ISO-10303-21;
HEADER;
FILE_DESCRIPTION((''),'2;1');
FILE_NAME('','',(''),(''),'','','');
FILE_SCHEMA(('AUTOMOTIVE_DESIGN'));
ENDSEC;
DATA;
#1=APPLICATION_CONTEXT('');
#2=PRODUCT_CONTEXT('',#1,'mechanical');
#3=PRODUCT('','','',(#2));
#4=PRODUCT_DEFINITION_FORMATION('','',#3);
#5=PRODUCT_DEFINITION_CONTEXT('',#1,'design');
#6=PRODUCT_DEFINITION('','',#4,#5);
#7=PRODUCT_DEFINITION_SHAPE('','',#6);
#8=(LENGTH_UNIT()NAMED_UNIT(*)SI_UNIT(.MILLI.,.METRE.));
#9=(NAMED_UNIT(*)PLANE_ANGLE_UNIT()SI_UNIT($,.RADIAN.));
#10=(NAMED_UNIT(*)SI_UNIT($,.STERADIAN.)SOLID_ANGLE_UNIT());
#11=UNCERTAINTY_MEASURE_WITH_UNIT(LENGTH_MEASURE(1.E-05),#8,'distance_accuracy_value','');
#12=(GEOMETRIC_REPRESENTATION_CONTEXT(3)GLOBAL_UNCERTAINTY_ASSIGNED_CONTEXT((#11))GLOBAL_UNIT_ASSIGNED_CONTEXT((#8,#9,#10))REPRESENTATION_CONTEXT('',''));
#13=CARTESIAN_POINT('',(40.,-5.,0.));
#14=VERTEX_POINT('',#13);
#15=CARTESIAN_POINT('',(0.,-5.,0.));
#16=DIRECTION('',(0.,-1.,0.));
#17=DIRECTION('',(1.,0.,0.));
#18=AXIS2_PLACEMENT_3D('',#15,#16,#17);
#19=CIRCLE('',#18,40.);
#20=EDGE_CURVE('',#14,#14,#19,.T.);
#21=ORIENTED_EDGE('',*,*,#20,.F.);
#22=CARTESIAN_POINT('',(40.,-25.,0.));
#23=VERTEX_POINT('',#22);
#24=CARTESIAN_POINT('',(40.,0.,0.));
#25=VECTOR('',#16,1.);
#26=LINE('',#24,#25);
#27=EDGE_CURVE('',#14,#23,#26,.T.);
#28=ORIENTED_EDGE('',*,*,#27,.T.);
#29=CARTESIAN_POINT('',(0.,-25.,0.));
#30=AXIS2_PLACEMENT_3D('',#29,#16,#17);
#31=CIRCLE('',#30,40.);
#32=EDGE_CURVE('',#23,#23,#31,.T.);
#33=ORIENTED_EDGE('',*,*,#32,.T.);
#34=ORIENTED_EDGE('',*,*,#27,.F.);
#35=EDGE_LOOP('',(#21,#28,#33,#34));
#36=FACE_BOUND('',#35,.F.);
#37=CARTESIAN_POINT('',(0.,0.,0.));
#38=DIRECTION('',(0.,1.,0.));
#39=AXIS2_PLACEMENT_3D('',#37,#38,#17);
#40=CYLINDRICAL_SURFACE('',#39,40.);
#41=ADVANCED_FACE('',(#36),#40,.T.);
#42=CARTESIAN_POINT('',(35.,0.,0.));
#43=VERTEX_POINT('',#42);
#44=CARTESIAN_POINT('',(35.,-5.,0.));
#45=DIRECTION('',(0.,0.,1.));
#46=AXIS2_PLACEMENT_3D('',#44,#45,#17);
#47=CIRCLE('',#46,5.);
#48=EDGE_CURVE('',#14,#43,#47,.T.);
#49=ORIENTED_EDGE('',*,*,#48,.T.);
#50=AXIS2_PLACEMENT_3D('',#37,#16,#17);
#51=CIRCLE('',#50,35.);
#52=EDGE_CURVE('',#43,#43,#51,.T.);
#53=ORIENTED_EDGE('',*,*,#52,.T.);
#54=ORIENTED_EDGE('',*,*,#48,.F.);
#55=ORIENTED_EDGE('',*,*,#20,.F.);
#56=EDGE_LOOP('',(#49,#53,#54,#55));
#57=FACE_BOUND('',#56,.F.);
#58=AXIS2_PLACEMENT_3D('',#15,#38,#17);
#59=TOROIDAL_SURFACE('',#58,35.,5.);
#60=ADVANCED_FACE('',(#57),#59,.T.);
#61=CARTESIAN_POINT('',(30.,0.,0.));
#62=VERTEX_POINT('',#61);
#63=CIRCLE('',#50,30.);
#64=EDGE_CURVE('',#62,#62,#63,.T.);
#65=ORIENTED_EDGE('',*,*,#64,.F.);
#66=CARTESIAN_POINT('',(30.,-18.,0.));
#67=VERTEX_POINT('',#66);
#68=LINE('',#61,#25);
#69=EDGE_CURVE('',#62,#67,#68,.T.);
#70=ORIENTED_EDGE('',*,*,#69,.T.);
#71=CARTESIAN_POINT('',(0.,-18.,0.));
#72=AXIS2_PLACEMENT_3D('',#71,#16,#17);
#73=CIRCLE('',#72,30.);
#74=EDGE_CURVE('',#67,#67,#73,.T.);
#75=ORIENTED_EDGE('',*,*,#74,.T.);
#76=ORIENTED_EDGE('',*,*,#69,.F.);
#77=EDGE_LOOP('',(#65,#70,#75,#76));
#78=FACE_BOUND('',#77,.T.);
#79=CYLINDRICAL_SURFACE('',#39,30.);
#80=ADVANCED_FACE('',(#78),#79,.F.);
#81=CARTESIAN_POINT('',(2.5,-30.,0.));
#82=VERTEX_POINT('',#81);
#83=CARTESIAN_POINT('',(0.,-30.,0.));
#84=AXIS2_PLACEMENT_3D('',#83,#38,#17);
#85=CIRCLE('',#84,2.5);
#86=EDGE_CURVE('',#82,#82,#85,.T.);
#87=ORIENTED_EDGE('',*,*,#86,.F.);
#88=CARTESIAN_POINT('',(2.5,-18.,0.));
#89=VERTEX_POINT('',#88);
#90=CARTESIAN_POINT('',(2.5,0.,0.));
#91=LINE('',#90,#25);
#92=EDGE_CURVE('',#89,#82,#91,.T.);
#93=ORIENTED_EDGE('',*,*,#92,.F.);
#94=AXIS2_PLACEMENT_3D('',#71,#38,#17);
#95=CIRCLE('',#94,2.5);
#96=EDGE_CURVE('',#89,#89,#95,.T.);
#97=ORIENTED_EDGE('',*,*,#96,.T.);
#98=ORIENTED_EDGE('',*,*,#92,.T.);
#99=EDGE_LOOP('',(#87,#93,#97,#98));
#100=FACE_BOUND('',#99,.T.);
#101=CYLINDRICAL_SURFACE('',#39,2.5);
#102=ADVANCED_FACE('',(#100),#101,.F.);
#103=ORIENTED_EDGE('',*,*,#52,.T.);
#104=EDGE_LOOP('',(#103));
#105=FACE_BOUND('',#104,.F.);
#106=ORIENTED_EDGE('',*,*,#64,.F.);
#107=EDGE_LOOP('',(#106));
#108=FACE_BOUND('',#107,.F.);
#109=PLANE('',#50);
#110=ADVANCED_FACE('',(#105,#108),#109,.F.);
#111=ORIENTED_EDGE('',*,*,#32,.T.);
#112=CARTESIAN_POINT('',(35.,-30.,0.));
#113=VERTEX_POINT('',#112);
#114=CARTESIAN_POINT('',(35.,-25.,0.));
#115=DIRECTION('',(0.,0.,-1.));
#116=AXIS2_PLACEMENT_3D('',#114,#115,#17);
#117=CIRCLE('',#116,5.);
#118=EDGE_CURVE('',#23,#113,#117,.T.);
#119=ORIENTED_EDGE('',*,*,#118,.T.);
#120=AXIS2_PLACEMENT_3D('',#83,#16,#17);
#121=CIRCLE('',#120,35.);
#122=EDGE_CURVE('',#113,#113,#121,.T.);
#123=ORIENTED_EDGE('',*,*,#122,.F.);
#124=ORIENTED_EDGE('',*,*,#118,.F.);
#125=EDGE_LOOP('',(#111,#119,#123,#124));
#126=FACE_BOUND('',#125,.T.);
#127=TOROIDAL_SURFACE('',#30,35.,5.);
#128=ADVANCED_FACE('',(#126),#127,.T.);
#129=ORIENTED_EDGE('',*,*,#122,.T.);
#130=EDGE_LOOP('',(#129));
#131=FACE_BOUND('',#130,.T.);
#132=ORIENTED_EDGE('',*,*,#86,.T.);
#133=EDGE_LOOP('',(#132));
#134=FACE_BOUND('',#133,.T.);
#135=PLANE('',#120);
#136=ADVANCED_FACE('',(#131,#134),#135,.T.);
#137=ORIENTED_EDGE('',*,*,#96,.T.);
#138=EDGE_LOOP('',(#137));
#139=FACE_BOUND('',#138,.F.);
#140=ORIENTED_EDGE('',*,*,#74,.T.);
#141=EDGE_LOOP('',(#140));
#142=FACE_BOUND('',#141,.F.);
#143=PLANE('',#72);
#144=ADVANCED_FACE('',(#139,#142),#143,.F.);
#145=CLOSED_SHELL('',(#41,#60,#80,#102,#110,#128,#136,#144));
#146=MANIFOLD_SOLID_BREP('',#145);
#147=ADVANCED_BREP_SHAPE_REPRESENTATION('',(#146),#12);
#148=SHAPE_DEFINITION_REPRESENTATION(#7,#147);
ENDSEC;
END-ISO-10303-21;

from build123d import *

# Parameters (mm, degrees)
F0_R     = 40
F1_DEPTH = 30
F2_R     = 5
F3_R     = 30
F4_DEPTH = 18
F5_R     = 2.5
F6_DEPTH = 41.9


with BuildPart() as f1:
    # F0 (on Front) → F1 (new body)
    with BuildSketch(Plane.XZ):
        Circle(F0_R)
    extrude(amount=F1_DEPTH)

    # F2
    f2_edges = [f1.edges().sort_by_distance(p)[0] for p in [
        (40, -15, 0),
        (-40, 0, 0),
        (-40, -30, 0),
    ]]
    fillet(f2_edges, radius=F2_R)

    # F3 (on Front) → F4 (cut)
    with BuildSketch(Plane.XZ):
        Circle(F3_R)
    extrude(amount=F4_DEPTH, mode=Mode.SUBTRACT)

    # F5 (on Front) → F6 (cut)
    with BuildSketch(Plane.XZ):
        Circle(F5_R)
    extrude(amount=F6_DEPTH, mode=Mode.SUBTRACT)


solid = f1.part
